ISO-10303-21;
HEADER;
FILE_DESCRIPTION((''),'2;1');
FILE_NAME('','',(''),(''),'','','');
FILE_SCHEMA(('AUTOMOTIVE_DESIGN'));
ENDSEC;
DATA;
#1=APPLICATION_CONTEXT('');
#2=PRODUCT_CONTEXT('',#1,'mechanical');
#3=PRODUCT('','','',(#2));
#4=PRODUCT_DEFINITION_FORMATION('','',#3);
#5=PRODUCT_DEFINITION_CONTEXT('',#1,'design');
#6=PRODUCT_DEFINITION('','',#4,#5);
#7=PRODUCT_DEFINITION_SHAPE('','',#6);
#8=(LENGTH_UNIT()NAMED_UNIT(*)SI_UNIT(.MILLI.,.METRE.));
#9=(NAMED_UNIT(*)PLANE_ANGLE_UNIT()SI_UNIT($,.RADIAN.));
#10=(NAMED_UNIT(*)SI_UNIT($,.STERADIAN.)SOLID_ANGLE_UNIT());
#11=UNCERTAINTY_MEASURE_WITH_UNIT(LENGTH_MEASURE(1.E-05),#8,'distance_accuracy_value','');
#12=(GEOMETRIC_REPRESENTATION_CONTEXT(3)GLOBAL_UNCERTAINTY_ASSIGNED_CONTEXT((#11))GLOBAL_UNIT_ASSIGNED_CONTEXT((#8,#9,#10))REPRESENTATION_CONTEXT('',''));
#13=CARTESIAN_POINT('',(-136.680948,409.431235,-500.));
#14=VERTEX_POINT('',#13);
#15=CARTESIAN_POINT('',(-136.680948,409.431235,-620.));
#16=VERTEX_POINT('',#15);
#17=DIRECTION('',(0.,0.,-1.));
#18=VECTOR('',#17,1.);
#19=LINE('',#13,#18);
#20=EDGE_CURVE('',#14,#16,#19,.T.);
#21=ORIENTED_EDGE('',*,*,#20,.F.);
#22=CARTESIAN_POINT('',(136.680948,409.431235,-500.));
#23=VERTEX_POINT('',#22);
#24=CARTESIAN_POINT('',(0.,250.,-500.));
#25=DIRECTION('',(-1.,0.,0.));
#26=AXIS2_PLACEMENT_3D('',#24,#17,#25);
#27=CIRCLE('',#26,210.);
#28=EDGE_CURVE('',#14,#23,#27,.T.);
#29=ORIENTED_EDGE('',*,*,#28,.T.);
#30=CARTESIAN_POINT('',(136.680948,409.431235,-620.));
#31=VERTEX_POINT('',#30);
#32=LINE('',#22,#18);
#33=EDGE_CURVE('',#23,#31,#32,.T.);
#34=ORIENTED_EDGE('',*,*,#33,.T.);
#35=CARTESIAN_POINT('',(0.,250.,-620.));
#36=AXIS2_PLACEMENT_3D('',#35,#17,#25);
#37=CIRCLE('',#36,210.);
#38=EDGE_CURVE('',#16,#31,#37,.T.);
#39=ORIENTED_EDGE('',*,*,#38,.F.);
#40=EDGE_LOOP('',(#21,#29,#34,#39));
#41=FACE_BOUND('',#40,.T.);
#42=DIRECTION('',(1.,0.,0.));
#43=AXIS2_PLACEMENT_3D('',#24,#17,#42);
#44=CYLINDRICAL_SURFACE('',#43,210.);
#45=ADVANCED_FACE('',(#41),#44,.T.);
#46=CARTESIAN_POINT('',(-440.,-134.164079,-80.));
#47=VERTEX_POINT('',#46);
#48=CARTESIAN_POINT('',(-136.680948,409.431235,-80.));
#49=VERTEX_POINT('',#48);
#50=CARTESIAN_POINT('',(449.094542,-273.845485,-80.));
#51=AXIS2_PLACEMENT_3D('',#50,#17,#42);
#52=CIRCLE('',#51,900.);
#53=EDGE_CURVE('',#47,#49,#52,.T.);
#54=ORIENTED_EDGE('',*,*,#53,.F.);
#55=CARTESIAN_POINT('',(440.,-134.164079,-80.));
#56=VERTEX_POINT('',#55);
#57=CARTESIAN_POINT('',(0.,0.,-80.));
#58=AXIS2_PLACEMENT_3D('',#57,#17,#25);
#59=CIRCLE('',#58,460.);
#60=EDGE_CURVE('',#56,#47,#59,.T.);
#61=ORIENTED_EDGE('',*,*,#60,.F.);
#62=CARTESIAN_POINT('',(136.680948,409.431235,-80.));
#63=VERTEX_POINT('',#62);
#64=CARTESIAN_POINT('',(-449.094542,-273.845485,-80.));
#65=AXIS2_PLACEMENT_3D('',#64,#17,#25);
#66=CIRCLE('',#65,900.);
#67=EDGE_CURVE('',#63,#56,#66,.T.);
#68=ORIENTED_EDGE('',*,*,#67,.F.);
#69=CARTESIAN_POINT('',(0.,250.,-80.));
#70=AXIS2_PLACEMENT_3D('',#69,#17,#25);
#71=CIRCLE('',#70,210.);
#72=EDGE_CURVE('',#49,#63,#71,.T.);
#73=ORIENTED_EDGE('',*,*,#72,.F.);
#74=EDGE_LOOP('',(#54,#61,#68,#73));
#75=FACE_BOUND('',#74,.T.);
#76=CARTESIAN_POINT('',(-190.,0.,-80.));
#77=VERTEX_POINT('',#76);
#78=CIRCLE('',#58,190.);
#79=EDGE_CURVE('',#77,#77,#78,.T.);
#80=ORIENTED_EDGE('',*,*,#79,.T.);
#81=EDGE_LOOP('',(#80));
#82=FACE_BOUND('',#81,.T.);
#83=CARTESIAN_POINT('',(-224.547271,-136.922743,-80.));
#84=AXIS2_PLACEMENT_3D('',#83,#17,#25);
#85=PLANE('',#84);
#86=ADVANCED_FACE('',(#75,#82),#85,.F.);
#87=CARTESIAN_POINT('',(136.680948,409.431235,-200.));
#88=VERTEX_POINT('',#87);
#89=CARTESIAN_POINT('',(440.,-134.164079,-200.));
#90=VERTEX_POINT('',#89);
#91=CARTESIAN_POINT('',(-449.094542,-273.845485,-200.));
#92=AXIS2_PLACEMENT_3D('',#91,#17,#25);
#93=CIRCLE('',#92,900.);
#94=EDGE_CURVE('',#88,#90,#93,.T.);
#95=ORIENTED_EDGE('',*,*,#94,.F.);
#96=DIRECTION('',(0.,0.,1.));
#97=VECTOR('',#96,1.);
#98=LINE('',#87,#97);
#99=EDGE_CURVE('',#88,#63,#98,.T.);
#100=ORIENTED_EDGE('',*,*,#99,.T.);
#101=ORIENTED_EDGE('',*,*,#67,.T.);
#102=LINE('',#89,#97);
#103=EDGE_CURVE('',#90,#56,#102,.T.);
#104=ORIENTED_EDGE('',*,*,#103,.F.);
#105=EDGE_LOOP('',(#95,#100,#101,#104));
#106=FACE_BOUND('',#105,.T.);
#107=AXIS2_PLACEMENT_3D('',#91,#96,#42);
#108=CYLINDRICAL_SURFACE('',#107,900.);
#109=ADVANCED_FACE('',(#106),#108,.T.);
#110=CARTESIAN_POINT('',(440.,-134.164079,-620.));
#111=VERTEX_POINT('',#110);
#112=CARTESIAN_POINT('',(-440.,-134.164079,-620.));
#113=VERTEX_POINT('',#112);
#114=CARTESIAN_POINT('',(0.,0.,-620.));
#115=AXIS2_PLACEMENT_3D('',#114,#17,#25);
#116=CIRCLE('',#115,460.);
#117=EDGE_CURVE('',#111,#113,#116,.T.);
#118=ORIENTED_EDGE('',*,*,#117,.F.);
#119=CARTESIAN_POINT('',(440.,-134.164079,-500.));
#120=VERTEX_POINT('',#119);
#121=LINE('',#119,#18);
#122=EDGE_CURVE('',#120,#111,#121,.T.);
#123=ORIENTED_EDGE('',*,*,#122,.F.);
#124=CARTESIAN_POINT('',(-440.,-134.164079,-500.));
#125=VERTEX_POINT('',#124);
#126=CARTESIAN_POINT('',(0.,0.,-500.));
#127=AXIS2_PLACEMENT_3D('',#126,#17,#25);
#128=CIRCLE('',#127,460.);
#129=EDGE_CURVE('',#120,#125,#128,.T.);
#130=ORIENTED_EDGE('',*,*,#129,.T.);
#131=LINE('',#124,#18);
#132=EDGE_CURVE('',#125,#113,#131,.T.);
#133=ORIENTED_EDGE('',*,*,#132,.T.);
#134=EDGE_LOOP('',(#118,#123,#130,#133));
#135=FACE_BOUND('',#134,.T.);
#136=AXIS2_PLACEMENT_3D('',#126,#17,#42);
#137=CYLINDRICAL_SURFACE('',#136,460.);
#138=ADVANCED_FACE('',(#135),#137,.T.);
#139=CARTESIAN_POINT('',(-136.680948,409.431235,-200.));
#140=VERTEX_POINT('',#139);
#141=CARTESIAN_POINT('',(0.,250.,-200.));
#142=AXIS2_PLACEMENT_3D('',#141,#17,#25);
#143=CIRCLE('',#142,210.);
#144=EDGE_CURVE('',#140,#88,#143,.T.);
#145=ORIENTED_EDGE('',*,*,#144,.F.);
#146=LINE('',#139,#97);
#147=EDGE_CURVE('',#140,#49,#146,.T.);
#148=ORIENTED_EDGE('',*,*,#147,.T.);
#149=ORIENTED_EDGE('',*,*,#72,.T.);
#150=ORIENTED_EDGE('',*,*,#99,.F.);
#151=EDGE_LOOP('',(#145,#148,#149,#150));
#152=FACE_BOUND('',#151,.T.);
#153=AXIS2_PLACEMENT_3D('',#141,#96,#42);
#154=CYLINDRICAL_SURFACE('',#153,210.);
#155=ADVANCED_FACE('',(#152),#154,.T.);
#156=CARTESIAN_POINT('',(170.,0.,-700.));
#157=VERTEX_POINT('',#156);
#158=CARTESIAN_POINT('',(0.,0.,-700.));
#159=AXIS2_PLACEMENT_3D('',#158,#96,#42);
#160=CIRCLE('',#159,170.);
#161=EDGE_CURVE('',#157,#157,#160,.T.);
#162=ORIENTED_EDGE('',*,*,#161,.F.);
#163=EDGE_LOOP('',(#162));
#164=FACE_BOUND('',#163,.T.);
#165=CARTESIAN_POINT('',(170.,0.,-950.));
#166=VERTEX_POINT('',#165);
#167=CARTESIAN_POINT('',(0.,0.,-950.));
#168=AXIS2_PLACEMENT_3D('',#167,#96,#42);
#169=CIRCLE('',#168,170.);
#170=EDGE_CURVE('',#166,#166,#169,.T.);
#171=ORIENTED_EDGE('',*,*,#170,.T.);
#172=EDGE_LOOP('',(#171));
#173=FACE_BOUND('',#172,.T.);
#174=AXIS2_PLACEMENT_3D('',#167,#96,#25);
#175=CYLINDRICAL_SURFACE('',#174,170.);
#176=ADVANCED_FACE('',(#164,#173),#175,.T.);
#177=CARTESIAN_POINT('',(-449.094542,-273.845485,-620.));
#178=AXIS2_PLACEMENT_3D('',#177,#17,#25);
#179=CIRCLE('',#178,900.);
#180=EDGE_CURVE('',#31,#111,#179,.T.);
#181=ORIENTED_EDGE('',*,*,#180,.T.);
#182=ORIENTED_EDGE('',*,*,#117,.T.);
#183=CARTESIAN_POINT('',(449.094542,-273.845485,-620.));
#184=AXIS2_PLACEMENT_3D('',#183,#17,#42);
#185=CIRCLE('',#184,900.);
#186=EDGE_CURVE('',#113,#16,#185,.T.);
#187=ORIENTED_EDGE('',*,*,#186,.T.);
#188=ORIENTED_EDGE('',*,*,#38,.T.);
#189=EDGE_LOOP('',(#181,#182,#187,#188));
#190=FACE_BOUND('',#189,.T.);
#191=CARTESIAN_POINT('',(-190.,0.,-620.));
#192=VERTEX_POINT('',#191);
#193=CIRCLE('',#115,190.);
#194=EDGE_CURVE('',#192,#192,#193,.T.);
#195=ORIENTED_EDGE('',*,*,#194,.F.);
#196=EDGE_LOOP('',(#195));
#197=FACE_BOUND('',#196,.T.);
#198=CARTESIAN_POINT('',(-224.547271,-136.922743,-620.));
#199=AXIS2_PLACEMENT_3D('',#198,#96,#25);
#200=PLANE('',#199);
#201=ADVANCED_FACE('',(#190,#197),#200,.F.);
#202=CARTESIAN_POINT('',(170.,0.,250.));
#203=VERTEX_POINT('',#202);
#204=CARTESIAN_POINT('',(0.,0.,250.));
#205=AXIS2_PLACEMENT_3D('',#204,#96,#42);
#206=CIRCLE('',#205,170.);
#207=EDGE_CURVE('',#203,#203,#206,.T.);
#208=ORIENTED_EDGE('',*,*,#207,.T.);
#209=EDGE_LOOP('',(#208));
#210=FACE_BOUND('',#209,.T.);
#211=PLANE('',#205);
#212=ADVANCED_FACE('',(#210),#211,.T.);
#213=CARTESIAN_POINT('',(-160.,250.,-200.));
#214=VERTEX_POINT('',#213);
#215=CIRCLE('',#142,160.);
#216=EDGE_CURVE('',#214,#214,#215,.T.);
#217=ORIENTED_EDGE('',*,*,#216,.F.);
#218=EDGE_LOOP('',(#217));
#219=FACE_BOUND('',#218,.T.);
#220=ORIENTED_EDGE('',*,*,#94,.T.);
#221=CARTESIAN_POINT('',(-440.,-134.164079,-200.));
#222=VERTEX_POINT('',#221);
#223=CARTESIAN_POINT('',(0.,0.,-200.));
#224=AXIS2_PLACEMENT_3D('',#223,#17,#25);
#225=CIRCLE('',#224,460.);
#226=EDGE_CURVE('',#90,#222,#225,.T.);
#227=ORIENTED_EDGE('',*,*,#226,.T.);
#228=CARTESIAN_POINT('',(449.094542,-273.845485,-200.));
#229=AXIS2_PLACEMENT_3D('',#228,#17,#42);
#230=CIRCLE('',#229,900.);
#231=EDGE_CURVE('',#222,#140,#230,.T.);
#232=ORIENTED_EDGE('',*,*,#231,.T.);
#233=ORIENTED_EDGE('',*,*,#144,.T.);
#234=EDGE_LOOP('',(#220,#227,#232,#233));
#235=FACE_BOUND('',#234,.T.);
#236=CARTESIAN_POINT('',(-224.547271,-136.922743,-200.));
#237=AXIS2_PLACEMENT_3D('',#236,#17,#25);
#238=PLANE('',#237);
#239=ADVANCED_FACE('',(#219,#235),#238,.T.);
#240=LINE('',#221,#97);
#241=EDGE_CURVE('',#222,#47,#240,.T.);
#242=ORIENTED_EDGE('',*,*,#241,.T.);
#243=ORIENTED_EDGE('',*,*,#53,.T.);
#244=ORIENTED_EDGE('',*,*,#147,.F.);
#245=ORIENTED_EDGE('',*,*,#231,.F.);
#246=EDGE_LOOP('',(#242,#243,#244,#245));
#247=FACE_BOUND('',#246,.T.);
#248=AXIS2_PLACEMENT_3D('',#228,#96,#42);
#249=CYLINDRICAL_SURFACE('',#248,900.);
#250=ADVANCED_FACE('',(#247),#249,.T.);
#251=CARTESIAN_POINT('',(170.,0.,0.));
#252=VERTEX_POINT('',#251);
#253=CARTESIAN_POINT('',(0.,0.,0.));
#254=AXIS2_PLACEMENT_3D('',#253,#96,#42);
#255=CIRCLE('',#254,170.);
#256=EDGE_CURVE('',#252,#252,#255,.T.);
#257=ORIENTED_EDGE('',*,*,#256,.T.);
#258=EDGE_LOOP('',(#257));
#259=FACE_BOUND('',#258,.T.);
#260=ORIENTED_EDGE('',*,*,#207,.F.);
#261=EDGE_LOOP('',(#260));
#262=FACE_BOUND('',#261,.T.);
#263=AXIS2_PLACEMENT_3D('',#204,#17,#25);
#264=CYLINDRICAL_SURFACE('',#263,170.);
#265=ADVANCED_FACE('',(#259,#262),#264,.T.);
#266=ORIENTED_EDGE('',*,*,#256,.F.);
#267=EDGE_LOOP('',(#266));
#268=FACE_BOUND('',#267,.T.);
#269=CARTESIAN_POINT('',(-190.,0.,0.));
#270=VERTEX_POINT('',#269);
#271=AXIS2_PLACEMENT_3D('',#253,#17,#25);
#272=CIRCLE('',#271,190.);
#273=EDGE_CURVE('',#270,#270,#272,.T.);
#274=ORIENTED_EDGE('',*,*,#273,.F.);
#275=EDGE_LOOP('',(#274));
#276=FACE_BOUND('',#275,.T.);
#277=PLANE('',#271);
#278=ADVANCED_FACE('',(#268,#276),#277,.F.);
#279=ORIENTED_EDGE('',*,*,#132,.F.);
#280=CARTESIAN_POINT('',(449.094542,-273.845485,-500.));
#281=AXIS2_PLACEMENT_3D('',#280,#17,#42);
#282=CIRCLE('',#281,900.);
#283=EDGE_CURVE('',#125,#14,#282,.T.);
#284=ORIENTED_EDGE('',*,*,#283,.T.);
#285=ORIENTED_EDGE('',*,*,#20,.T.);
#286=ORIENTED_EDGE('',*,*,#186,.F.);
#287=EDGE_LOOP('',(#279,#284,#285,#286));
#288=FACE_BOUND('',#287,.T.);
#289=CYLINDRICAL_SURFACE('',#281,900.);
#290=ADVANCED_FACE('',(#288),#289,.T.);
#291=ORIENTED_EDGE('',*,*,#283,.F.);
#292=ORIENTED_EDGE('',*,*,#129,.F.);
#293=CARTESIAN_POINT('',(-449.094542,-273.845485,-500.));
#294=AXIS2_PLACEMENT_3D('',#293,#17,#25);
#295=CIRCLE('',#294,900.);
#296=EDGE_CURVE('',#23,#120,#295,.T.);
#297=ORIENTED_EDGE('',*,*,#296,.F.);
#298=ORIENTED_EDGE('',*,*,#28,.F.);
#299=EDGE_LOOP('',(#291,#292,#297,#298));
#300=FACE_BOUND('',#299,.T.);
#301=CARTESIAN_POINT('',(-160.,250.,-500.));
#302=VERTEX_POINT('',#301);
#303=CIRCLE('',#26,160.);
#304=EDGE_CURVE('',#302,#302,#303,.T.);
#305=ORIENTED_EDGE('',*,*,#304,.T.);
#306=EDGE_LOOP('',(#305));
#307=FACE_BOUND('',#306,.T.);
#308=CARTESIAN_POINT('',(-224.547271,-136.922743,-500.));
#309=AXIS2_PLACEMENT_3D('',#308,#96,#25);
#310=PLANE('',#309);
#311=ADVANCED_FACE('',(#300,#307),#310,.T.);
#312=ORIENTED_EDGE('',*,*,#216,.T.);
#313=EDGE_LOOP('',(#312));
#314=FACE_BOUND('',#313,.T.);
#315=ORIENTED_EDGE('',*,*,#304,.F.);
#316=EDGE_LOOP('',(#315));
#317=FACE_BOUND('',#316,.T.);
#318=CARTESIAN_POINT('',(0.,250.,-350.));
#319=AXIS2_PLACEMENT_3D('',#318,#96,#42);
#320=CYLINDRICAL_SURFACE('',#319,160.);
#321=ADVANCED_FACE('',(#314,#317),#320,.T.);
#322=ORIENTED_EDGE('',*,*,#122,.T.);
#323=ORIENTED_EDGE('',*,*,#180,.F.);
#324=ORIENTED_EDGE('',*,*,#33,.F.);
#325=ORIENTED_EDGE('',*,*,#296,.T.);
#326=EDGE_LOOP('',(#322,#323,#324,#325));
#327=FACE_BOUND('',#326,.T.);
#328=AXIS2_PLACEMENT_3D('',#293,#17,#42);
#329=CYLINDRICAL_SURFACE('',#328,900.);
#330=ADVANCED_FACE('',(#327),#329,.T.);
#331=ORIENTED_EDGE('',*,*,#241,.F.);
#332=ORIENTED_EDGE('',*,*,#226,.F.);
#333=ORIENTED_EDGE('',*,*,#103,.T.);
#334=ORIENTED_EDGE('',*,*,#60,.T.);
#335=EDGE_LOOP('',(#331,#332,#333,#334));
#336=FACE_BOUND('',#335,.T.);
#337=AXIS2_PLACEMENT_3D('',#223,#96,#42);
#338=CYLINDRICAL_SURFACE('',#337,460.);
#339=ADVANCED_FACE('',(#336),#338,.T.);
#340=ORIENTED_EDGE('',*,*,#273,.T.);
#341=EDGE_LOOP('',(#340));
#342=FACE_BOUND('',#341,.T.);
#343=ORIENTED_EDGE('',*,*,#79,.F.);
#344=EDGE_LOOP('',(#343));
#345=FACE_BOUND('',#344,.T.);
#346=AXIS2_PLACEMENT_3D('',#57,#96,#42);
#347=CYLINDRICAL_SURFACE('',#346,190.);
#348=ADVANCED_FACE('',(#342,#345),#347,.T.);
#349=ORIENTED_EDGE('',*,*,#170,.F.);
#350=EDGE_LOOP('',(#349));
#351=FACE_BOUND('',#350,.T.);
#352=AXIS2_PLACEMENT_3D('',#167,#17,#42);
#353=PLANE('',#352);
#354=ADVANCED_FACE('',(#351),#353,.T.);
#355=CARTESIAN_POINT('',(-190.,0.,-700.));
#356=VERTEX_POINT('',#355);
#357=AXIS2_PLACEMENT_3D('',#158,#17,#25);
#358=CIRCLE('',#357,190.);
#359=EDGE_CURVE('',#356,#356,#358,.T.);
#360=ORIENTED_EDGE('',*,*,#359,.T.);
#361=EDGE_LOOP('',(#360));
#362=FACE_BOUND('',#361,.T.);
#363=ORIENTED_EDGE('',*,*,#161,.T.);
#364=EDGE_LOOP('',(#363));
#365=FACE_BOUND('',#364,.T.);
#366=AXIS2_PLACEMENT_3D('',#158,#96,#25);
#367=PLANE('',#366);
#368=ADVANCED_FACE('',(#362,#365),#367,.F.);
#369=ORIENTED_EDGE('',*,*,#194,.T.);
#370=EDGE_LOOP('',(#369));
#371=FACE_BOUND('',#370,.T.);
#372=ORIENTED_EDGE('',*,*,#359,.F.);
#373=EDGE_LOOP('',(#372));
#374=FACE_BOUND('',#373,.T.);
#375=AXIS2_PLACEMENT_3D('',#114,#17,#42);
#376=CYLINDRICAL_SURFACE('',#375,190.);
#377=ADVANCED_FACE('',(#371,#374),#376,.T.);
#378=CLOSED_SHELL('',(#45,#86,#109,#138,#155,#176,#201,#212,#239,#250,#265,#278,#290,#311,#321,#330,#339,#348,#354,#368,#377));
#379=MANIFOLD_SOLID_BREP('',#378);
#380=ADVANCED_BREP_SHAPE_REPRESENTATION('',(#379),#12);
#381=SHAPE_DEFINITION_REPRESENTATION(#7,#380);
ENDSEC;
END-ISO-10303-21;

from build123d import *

# Parameters (mm, degrees)
SKETCH1_R           = 170
BOSS_EXTRUDE1_DEPTH = 250
SKETCH2_R           = 190
BOSS_EXTRUDE2_DEPTH = 80
BOSS_EXTRUDE3_DEPTH = 120
SKETCH4_R           = 160
BOSS_EXTRUDE4_DEPTH = 150


with BuildPart() as part:
    # Sketch1 → Boss-Extrude1 (new body)
    with BuildSketch(Plane.XY):
        Circle(SKETCH1_R)
    extrude(amount=BOSS_EXTRUDE1_DEPTH)

    # Sketch2 → Boss-Extrude2 (add)
    with BuildSketch(Plane(origin=(0, 0, 0), x_dir=(-1, 0, 0), z_dir=(0, 0, -1))):
        Circle(SKETCH2_R)
    extrude(amount=BOSS_EXTRUDE2_DEPTH)

    # Sketch3 → Boss-Extrude3 (add)
    with BuildSketch(Plane(origin=(0, 0, -80), x_dir=(-1, 0, 0), z_dir=(0, 0, -1))):
        with BuildLine():
            ThreePointArc((-440, -134.16407865), (0, -460), (440, -134.16407865))
            ThreePointArc((440, -134.16407865), (336.834442487, 164.692576238), (136.680947576, 409.431234611))
            ThreePointArc((136.680947576, 409.431234611), (0, 460), (-136.680947576, 409.431234611))
            ThreePointArc((-136.680947576, 409.431234611), (-336.834442487, 164.692576238), (-440, -134.16407865))
        make_face()
    extrude(amount=BOSS_EXTRUDE3_DEPTH)

    # Sketch4 → Boss-Extrude4 (add)
    with BuildSketch(Plane(origin=(0, 0, -200), x_dir=(-1, 0, 0), z_dir=(0, 0, -1))):
        with Locations((0, 250)):
            Circle(SKETCH4_R)
    extrude(amount=BOSS_EXTRUDE4_DEPTH)

    # Mirror1: part across plane


with BuildPart() as part_1:
    add(part.part)
    add(part.part.mirror(Plane(origin=(0, 250, -350), x_dir=(1, 0, 0), z_dir=(0, 0, -1))))


solid = part_1.part
